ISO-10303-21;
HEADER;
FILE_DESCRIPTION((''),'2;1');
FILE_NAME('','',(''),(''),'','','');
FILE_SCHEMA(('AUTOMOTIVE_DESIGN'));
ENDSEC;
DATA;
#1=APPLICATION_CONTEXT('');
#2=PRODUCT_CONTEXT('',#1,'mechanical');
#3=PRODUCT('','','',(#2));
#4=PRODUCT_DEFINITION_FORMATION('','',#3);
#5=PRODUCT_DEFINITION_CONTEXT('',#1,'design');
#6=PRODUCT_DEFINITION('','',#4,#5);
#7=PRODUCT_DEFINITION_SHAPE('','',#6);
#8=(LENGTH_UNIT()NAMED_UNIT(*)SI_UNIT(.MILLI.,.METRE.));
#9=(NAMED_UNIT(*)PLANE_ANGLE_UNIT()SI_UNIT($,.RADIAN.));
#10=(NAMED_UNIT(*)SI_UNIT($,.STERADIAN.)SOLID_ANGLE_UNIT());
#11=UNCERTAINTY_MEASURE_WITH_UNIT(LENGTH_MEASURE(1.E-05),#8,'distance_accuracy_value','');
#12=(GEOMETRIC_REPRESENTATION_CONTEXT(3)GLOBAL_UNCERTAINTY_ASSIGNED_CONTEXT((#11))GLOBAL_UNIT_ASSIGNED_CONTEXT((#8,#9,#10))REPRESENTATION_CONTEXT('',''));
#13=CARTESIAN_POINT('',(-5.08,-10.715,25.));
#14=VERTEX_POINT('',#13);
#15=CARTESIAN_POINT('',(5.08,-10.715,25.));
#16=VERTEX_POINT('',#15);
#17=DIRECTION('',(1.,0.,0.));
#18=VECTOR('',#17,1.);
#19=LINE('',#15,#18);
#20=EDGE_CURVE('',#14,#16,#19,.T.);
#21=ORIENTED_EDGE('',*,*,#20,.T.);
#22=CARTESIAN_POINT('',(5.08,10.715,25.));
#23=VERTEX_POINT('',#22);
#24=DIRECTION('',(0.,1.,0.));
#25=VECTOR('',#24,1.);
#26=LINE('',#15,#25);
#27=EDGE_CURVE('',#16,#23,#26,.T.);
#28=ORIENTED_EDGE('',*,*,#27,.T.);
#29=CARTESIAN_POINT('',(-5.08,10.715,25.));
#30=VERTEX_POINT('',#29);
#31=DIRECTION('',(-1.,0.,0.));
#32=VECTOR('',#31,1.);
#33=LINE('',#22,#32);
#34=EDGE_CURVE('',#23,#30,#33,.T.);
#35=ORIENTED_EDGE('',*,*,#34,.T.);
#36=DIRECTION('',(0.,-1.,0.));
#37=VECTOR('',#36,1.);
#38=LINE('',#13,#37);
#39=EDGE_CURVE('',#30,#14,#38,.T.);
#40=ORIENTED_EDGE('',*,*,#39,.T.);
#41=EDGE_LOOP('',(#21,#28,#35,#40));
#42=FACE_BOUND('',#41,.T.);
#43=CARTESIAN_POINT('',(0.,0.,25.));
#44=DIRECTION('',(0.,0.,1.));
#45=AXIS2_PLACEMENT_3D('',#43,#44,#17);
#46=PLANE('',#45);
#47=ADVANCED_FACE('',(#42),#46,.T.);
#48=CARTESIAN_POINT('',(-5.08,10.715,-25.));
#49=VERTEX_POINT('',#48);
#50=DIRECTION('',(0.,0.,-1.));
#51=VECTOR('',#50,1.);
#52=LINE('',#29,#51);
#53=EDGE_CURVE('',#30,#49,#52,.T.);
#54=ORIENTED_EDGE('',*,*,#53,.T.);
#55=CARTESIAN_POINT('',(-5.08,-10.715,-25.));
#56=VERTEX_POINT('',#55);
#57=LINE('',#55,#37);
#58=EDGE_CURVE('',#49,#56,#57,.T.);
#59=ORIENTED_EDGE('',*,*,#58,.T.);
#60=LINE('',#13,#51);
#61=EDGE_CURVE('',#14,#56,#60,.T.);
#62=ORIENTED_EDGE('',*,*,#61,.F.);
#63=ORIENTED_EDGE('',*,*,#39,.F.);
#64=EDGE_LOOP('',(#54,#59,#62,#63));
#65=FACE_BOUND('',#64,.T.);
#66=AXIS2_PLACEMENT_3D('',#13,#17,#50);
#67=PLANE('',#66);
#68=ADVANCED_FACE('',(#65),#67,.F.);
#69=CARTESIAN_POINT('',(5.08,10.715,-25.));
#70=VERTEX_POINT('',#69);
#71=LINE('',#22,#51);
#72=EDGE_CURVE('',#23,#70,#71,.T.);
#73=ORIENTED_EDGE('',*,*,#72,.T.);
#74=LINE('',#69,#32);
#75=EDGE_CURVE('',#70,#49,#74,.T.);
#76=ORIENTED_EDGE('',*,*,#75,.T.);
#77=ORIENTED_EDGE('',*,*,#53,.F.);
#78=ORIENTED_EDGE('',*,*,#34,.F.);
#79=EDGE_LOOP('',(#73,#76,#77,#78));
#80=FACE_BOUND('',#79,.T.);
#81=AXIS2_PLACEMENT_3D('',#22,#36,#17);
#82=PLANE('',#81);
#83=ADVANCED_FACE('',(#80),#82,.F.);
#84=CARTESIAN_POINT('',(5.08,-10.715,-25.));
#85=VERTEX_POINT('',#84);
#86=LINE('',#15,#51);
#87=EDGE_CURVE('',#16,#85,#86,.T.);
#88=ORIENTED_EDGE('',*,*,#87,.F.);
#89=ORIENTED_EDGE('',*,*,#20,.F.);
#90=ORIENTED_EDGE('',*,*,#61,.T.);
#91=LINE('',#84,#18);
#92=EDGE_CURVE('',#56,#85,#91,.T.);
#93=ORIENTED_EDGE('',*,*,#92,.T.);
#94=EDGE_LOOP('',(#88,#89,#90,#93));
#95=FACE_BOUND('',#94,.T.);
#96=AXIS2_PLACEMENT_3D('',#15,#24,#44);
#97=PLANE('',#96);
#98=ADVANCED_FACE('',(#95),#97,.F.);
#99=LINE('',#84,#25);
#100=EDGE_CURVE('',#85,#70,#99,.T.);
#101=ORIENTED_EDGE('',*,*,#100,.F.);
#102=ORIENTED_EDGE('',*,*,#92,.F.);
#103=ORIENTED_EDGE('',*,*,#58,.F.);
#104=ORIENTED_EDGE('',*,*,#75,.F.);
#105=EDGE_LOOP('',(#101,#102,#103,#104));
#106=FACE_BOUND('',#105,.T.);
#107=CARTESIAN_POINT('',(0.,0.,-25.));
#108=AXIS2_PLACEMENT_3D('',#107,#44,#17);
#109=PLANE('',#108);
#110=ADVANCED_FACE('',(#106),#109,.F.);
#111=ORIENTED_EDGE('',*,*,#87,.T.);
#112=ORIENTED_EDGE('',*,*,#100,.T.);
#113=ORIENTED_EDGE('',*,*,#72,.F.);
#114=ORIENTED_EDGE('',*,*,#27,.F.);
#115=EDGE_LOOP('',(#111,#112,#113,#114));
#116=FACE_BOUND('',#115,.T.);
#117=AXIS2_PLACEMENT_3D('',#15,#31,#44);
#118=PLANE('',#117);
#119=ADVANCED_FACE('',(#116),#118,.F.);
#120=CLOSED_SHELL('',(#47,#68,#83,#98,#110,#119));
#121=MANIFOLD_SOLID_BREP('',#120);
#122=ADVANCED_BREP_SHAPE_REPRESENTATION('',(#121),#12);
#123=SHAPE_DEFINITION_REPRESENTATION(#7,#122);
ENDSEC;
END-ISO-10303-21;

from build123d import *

# Parameters (mm, degrees)
CROQUIS1_W              = 10.16
CROQUIS1_H              = 21.43
SALIENTE_EXTRUIR1_DEPTH = 25


with BuildPart() as part:
    # Croquis1 → Saliente-Extruir1 (new, symmetric)
    with BuildSketch(Plane.XY):
        Rectangle(CROQUIS1_W, CROQUIS1_H)
    extrude(amount=SALIENTE_EXTRUIR1_DEPTH, both=True)


solid = part.part
